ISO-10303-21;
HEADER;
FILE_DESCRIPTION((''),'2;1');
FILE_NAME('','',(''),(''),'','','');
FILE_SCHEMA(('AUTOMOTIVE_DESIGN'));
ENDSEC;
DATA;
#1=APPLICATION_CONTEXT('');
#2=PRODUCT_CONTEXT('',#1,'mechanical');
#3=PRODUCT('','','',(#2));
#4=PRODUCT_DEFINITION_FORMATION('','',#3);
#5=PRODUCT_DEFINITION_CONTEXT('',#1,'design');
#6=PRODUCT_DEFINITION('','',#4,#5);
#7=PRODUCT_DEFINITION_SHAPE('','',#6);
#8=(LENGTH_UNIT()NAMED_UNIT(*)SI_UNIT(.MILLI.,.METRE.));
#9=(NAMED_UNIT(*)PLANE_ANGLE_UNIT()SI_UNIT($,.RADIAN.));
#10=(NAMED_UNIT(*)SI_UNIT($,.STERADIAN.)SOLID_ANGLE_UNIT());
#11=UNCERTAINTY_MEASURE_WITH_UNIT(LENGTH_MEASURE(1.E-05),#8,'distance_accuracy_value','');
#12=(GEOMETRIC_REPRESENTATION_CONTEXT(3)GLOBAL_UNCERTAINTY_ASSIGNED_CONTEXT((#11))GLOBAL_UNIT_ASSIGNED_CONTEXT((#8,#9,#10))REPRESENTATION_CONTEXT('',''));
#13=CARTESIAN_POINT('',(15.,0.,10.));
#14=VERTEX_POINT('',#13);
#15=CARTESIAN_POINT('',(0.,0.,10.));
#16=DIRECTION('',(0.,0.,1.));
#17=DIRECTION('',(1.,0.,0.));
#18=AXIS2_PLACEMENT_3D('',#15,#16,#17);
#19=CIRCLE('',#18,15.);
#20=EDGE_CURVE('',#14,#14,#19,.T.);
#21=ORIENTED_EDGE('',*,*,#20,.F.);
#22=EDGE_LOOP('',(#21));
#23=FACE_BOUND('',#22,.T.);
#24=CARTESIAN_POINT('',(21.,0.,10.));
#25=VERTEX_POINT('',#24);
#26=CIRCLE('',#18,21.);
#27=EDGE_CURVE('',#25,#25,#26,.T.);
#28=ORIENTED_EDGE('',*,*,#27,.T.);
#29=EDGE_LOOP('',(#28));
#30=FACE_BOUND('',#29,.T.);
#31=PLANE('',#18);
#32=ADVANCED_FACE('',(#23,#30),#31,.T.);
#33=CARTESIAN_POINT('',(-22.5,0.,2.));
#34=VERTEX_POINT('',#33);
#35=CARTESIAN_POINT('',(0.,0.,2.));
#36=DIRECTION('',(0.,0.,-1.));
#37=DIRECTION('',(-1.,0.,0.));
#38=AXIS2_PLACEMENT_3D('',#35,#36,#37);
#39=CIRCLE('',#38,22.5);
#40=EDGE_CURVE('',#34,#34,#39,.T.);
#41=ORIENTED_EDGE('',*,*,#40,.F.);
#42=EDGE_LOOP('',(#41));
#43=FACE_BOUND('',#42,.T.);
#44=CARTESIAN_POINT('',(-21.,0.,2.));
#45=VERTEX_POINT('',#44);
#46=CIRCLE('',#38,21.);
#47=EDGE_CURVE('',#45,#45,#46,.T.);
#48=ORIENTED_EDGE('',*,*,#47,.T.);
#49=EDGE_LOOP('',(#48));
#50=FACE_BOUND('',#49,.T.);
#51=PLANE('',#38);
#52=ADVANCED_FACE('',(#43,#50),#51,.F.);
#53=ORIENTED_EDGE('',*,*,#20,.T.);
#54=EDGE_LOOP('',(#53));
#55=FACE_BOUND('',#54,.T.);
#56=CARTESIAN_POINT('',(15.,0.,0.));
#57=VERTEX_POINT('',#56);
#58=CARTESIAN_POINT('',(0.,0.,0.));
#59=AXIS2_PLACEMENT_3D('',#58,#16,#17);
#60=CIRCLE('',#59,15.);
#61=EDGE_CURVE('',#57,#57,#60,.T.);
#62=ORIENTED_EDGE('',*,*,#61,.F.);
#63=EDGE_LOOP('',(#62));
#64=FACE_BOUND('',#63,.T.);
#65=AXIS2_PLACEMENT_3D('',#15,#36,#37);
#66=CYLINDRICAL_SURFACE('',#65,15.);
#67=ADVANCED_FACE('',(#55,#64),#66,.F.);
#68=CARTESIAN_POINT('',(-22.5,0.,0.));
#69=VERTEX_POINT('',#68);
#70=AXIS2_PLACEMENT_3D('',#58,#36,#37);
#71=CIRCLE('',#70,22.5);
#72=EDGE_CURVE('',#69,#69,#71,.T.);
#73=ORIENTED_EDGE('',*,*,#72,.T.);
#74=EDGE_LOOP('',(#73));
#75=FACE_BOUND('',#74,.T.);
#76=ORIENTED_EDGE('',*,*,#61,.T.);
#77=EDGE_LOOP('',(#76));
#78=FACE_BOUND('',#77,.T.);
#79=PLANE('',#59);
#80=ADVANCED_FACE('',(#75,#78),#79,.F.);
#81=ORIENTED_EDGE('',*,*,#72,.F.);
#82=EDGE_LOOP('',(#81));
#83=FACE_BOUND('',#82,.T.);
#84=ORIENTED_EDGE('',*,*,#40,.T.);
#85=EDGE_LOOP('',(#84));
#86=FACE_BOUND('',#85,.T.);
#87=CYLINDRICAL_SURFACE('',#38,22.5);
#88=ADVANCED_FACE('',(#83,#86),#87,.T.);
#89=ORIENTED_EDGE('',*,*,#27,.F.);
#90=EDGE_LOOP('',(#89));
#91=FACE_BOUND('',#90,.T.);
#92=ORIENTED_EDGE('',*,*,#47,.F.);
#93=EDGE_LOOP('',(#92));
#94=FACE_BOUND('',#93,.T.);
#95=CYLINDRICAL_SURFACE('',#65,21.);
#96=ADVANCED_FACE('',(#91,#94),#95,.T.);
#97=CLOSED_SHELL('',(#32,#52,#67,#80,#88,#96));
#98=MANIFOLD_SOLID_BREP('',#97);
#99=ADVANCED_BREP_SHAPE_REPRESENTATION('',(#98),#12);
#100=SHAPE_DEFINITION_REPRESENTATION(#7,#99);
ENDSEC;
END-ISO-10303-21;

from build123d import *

# Parameters (mm, degrees)
SKETCH1_R           = 21
SKETCH1_R_2         = 15
BOSS_EXTRUDE1_DEPTH = 10
SKETCH6_R           = 22.5
BOSS_EXTRUDE2_DEPTH = 2
SKETCH7_R           = 15
CUT_EXTRUDE1_DEPTH  = 34.35416016


with BuildPart() as part:
    # Sketch1 → Boss-Extrude1 (new body)
    with BuildSketch(Plane.XY):
        Circle(SKETCH1_R)
        Circle(SKETCH1_R_2, mode=Mode.SUBTRACT)
    extrude(amount=BOSS_EXTRUDE1_DEPTH)

    # Sketch6 → Boss-Extrude2 (add)
    with BuildSketch(Plane(origin=(0, 0, 0), x_dir=(-1, 0, 0), z_dir=(0, 0, -1))):
        Circle(SKETCH6_R)
    extrude(amount=-BOSS_EXTRUDE2_DEPTH)

    # Sketch7 → Cut-Extrude1 (cut, through all)
    with BuildSketch(Plane.XY.offset(10)):
        Circle(SKETCH7_R)
    extrude(amount=-CUT_EXTRUDE1_DEPTH, mode=Mode.SUBTRACT)


solid = part.part
